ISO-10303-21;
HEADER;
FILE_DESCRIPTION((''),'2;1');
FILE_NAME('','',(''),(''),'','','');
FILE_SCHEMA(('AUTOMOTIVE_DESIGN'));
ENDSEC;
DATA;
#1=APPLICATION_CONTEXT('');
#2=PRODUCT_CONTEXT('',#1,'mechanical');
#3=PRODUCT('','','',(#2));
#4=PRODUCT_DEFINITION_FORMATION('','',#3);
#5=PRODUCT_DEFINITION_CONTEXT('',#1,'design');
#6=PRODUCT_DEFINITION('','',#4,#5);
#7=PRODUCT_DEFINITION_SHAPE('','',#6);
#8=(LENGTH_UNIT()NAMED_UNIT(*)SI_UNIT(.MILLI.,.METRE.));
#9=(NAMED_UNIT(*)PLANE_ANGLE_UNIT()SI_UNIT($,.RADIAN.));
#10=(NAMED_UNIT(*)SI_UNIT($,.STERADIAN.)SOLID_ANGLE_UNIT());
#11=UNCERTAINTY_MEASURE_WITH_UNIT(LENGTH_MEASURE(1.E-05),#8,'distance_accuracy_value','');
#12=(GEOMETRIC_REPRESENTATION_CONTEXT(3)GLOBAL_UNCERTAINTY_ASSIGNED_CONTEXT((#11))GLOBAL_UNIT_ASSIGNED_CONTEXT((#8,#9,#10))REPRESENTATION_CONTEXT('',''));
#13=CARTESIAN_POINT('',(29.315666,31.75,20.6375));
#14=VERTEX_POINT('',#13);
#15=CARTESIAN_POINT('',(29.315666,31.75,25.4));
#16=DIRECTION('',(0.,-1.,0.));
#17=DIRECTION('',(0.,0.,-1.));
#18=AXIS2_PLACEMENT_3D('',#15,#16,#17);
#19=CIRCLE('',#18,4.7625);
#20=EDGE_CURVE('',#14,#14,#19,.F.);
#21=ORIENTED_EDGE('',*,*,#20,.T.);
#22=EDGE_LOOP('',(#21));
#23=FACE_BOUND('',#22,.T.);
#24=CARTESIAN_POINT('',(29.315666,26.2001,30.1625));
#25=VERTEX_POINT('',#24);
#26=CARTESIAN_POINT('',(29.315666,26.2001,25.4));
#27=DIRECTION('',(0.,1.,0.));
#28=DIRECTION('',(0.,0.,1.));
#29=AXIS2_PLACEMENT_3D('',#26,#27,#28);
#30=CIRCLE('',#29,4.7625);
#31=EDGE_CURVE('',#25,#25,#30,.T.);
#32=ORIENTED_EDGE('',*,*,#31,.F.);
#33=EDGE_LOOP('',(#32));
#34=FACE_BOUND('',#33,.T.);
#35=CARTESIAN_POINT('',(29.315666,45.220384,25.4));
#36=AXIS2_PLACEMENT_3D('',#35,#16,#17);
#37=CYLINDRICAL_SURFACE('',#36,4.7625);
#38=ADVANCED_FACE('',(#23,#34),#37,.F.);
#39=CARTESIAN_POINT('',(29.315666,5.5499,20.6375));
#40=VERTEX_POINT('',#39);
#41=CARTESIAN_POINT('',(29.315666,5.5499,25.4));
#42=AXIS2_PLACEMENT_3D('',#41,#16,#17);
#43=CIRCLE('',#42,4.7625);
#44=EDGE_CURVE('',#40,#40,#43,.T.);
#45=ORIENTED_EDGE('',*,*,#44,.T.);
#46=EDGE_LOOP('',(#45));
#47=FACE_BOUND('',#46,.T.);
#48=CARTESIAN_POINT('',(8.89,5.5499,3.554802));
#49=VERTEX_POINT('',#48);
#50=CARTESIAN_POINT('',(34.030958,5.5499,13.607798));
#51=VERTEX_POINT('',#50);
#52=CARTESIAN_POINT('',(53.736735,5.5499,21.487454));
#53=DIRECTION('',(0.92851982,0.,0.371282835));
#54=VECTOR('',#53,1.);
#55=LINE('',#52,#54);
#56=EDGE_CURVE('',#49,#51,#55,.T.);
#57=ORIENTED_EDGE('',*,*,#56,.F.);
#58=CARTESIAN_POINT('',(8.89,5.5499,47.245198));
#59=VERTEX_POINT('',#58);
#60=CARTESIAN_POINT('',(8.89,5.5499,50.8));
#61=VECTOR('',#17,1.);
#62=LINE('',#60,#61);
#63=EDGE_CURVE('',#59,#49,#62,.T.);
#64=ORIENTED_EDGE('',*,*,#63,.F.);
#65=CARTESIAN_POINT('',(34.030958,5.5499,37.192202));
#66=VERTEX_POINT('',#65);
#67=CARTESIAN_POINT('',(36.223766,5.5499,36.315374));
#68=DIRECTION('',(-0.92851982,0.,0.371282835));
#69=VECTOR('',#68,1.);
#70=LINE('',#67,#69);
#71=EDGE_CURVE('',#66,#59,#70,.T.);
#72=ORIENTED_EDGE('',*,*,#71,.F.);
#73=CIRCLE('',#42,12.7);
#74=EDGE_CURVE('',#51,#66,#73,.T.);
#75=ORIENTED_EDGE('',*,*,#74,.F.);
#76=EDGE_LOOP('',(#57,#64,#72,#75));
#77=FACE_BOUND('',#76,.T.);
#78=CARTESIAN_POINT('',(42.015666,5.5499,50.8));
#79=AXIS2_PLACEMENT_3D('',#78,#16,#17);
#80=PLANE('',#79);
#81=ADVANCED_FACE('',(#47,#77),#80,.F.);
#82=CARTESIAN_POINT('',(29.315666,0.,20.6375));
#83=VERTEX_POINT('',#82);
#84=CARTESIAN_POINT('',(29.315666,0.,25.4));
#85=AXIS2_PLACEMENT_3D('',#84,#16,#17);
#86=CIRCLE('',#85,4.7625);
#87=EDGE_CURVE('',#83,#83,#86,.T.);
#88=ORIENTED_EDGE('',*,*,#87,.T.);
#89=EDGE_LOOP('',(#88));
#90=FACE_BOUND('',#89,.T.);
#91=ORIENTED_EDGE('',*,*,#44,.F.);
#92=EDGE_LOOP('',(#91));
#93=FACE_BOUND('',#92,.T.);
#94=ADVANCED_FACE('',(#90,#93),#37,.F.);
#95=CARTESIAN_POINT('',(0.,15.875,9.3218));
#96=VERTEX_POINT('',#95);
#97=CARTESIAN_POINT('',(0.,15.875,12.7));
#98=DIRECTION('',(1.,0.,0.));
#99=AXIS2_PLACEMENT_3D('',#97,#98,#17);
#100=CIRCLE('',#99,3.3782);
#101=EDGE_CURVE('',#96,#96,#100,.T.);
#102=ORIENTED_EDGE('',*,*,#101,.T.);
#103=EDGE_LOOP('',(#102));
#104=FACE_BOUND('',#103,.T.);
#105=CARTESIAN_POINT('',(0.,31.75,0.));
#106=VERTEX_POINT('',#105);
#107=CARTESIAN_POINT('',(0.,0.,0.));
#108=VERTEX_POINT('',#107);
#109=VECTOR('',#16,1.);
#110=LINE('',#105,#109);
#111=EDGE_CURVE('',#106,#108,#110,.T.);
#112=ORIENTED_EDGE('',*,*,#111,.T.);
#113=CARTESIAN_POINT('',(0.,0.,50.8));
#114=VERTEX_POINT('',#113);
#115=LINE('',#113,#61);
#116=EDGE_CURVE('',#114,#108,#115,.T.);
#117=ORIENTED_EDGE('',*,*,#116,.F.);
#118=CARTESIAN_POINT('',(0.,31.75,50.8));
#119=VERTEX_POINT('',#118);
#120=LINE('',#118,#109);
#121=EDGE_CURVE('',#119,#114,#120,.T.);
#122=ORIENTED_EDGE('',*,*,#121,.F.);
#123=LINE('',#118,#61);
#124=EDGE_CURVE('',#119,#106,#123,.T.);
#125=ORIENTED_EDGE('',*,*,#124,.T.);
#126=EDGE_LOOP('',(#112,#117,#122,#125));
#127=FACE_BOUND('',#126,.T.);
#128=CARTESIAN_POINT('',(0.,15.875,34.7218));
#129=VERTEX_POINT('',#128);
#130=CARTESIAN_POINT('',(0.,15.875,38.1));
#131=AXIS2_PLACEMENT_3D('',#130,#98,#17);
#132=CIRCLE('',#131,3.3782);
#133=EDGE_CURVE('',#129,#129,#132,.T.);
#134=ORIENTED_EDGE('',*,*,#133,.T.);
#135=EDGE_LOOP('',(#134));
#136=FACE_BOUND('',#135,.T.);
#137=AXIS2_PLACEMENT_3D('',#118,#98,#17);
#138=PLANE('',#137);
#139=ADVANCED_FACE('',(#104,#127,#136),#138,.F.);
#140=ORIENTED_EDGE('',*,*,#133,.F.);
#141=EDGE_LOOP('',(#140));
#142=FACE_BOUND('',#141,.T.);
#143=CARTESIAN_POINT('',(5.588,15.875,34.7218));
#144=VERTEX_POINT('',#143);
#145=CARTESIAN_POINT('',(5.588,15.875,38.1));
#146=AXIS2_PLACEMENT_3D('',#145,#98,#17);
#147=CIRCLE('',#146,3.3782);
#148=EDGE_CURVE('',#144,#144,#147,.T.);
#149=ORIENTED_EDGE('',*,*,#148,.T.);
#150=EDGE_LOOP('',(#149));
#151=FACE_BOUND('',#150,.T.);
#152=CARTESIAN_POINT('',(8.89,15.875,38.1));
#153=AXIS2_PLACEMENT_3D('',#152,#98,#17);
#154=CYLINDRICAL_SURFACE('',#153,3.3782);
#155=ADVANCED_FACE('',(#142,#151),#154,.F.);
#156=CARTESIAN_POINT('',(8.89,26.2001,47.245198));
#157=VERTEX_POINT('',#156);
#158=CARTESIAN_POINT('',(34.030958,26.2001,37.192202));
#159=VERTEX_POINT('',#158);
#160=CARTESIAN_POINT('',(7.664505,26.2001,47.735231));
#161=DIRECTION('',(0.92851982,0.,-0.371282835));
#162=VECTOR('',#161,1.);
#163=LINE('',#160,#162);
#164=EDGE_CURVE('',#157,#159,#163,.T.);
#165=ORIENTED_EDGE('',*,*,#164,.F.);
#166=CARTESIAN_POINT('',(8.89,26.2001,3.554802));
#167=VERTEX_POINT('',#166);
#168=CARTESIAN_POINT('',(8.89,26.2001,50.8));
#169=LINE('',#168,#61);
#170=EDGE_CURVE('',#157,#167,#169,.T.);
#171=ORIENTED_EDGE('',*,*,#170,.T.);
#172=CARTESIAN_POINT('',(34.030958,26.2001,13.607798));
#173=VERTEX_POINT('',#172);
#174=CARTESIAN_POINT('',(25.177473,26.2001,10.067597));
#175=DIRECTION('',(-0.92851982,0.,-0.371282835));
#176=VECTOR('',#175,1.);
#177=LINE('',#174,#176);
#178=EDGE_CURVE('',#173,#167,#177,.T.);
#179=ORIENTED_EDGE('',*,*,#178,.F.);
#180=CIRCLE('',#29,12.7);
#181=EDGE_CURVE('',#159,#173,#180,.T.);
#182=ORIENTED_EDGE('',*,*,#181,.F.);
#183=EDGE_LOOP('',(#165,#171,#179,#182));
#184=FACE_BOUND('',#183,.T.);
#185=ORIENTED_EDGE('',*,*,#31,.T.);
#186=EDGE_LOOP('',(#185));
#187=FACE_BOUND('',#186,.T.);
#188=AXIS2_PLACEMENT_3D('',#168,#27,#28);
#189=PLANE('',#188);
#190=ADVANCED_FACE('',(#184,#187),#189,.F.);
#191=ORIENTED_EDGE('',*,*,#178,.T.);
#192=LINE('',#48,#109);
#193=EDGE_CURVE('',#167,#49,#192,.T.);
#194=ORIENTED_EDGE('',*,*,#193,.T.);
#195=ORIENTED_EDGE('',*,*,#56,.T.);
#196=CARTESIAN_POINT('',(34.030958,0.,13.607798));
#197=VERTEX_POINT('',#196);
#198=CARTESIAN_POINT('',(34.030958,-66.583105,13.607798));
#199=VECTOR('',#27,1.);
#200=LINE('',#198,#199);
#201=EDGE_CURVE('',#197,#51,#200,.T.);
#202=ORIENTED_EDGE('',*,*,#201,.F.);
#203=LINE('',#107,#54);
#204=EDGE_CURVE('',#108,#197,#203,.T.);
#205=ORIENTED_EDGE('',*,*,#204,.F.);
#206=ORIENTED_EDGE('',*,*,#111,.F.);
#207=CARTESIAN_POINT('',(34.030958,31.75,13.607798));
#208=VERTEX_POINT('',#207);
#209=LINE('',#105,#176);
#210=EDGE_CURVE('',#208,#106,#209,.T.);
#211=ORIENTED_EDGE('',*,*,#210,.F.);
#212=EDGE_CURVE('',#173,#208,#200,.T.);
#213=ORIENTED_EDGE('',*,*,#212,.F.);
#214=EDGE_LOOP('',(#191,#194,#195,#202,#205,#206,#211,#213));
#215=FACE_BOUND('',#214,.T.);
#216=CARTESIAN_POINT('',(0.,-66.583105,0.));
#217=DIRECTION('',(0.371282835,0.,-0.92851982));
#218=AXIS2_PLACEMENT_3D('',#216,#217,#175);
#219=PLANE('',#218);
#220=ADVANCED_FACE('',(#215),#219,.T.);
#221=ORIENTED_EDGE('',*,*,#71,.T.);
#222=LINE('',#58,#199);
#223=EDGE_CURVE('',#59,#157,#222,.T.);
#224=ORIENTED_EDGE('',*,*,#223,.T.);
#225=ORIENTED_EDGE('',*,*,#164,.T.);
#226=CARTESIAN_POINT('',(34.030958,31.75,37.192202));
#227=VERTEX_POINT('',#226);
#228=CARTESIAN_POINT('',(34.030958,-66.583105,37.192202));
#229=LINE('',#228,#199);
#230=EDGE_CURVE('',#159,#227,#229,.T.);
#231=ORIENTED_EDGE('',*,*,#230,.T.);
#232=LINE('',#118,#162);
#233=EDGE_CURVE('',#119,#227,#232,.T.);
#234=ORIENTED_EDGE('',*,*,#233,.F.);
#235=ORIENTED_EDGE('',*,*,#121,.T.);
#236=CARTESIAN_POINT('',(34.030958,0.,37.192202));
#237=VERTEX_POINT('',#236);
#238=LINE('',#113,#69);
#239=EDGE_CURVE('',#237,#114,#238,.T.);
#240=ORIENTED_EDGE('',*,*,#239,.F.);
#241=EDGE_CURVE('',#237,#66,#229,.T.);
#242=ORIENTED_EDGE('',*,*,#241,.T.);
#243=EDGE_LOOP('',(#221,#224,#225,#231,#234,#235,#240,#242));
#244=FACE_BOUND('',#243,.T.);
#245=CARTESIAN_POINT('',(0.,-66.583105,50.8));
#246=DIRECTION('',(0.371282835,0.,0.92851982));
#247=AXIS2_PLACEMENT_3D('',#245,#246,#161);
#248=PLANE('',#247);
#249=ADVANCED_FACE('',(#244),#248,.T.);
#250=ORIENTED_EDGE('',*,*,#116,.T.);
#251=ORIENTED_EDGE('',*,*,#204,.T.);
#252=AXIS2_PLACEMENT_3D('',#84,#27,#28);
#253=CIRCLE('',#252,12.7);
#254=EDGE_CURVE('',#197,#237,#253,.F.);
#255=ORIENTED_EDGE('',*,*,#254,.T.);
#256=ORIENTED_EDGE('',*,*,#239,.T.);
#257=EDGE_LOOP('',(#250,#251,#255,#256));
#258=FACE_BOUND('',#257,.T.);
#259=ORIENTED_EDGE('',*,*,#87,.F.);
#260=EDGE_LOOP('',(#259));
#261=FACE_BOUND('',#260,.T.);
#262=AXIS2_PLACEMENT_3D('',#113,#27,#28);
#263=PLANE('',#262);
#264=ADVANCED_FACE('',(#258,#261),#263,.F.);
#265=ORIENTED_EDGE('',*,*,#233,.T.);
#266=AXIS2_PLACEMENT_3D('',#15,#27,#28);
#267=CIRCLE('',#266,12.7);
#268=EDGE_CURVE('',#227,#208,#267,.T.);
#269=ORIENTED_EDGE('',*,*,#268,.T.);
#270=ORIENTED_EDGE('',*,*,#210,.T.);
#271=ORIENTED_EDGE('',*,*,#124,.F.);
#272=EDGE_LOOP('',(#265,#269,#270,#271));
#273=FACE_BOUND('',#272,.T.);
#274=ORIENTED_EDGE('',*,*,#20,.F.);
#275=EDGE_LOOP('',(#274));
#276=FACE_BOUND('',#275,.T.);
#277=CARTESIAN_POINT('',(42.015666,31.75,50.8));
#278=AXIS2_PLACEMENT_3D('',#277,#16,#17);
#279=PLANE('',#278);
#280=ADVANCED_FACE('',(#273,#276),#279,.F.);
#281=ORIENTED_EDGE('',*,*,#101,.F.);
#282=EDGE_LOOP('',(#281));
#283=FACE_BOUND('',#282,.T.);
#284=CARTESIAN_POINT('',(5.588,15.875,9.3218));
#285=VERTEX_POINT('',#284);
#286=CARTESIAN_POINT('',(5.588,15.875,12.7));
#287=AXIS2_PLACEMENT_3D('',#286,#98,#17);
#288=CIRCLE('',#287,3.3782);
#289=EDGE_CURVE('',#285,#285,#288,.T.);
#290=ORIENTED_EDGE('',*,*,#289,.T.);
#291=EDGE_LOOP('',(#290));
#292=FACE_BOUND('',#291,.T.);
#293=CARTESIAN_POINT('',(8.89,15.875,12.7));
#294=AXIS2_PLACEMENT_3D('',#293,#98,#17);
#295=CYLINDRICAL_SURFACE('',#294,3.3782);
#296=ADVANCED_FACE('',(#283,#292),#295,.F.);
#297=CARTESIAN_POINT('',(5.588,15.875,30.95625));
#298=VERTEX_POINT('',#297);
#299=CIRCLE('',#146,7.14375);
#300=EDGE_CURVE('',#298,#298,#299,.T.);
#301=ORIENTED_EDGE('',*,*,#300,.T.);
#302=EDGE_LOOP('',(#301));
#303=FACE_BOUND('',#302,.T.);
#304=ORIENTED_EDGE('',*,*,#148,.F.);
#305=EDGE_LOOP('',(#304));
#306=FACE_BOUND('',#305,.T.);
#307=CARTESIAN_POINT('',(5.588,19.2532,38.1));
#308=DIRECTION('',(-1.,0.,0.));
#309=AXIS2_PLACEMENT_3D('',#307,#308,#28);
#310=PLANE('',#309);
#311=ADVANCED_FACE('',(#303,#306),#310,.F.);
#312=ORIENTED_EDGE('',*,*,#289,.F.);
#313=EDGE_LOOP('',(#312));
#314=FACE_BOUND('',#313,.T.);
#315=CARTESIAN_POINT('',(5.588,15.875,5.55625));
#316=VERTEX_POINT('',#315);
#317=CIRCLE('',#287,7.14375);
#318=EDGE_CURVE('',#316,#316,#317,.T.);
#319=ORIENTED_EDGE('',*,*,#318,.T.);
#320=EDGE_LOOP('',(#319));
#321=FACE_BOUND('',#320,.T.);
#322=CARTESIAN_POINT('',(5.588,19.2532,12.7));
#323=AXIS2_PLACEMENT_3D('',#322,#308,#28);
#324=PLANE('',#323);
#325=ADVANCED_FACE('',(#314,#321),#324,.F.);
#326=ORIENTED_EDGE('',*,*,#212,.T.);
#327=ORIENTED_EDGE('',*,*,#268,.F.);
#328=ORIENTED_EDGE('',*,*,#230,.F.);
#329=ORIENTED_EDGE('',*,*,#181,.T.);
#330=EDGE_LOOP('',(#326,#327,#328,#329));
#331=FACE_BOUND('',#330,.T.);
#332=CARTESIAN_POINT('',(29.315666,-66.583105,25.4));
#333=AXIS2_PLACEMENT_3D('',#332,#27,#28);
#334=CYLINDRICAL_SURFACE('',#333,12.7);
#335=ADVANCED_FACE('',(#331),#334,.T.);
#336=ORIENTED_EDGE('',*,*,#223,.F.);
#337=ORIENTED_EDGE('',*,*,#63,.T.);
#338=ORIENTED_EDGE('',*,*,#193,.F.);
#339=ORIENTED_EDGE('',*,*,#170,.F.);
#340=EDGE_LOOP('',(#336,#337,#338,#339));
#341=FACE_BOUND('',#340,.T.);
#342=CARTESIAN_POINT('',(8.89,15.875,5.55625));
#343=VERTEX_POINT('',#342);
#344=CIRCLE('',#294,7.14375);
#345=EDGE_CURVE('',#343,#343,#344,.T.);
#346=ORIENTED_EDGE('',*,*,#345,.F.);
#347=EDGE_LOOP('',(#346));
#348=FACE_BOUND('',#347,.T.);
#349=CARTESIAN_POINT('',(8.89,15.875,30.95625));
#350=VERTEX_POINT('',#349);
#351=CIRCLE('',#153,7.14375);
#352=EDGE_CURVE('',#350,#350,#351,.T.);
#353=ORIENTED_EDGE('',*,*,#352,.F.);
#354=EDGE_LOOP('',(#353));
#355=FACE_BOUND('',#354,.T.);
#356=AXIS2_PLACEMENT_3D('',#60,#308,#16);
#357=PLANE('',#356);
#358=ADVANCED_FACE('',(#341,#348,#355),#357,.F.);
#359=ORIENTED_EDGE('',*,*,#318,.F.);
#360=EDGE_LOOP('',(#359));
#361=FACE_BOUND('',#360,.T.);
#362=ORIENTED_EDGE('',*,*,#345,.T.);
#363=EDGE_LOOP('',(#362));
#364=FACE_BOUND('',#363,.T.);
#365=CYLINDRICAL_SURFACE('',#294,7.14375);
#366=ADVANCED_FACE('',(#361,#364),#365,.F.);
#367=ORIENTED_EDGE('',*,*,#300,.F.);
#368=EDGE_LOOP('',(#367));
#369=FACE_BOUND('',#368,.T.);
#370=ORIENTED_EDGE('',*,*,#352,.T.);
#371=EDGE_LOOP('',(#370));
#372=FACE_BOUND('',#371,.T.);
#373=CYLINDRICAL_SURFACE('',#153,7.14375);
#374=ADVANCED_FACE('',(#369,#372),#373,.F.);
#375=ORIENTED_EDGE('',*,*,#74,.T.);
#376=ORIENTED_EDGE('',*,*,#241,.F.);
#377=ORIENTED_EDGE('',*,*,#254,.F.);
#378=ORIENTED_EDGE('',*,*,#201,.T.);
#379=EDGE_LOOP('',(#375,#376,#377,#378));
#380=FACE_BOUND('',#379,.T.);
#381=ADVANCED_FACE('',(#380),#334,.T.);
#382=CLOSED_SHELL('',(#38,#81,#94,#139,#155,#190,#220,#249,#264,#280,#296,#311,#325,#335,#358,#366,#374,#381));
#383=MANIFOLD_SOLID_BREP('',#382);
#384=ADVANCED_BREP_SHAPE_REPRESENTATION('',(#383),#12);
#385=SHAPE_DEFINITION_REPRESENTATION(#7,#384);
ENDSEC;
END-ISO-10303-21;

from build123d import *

# Parameters (mm, degrees)
BOSS_EXTRUDE1_DEPTH                                  = 50.8
CBORE_FOR_1_4_BINDING_HEAD_MACHINE_SCREW_D           = 6.7564
CBORE_FOR_1_4_BINDING_HEAD_MACHINE_SCREW_CBORE_D     = 14.2875
CBORE_FOR_1_4_BINDING_HEAD_MACHINE_SCREW_CBORE_DEPTH = 3.302
SPHERICAL_HOLES_REACH                                = 75.171
SKETCH3_R                                            = 4.7625
SKETCH4_OUTSIDE_W                                    = 58.65
SKETCH4_OUTSIDE_H                                    = 67.434
ROUNDING_DEPTH                                       = 31.75


with BuildPart() as part:
    # Sketch1 → Boss-Extrude1 (new body)
    with BuildSketch(Plane.XY):
        Polygon((0, 0), (42.015665571, 0), (42.015665571, 5.5499), (8.89, 5.5499), (8.89, 26.2001), (42.015665571, 26.2001), (42.015665571, 31.75), (0, 31.75), align=None)
    extrude(amount=BOSS_EXTRUDE1_DEPTH)

    # CBORE for 1/4 Binding Head Machine Screw1 (through all)
    with Locations(Plane(origin=(8.89, 0, 0), x_dir=(0, 0, -1), z_dir=(1, 0, 0))):
        with Locations((-38.1, 15.875), (-12.7, 15.875)):
            CounterBoreHole(CBORE_FOR_1_4_BINDING_HEAD_MACHINE_SCREW_D / 2, CBORE_FOR_1_4_BINDING_HEAD_MACHINE_SCREW_CBORE_D / 2, CBORE_FOR_1_4_BINDING_HEAD_MACHINE_SCREW_CBORE_DEPTH)

    # Spherical Holes: up to this face of the body (flat: up to its plane)
    spherical_holes_end = Plane(part.part.faces().sort_by_distance((21.007832786, 31.75, 25.4))[0])
    # Sketch3 → Spherical Holes (cut, up to the picked face)
    with BuildSketch(Plane.XZ, mode=Mode.PRIVATE) as spherical_holes_sk1:
        with Locations(Location((29.315665571, 25.4, 0), (0, 0, 270))):
            Circle(SKETCH3_R)
    spherical_holes_tool1 = split(extrude(spherical_holes_sk1.sketch, amount=-SPHERICAL_HOLES_REACH, mode=Mode.PRIVATE), bisect_by=spherical_holes_end, keep=Keep.BOTH, mode=Mode.PRIVATE)
    add(spherical_holes_tool1.solids().sort_by(Axis((29.315666, 0, 25.4), (0, 1, 0)))[0], mode=Mode.SUBTRACT)

    # Sketch4 outside → Rounding (cut)
    with BuildSketch(Plane(origin=(0, 31.75, 0), x_dir=(1, 0, 0), z_dir=(0, 1, 0))):
        with Locations((21.008, -25.4)):
            Rectangle(SKETCH4_OUTSIDE_W, SKETCH4_OUTSIDE_H)
        with BuildLine():
            Line((0, 0), (34.030957579, -13.607798285))
            ThreePointArc((34.030957579, -13.607798285), (42.015665571, -25.4), (34.030957579, -37.192201715))
            Line((34.030957579, -37.192201715), (0, -50.8))
            Line((0, -50.8), (0, 0))
        make_face(mode=Mode.SUBTRACT)
    extrude(amount=-ROUNDING_DEPTH, mode=Mode.SUBTRACT)


solid = part.part
